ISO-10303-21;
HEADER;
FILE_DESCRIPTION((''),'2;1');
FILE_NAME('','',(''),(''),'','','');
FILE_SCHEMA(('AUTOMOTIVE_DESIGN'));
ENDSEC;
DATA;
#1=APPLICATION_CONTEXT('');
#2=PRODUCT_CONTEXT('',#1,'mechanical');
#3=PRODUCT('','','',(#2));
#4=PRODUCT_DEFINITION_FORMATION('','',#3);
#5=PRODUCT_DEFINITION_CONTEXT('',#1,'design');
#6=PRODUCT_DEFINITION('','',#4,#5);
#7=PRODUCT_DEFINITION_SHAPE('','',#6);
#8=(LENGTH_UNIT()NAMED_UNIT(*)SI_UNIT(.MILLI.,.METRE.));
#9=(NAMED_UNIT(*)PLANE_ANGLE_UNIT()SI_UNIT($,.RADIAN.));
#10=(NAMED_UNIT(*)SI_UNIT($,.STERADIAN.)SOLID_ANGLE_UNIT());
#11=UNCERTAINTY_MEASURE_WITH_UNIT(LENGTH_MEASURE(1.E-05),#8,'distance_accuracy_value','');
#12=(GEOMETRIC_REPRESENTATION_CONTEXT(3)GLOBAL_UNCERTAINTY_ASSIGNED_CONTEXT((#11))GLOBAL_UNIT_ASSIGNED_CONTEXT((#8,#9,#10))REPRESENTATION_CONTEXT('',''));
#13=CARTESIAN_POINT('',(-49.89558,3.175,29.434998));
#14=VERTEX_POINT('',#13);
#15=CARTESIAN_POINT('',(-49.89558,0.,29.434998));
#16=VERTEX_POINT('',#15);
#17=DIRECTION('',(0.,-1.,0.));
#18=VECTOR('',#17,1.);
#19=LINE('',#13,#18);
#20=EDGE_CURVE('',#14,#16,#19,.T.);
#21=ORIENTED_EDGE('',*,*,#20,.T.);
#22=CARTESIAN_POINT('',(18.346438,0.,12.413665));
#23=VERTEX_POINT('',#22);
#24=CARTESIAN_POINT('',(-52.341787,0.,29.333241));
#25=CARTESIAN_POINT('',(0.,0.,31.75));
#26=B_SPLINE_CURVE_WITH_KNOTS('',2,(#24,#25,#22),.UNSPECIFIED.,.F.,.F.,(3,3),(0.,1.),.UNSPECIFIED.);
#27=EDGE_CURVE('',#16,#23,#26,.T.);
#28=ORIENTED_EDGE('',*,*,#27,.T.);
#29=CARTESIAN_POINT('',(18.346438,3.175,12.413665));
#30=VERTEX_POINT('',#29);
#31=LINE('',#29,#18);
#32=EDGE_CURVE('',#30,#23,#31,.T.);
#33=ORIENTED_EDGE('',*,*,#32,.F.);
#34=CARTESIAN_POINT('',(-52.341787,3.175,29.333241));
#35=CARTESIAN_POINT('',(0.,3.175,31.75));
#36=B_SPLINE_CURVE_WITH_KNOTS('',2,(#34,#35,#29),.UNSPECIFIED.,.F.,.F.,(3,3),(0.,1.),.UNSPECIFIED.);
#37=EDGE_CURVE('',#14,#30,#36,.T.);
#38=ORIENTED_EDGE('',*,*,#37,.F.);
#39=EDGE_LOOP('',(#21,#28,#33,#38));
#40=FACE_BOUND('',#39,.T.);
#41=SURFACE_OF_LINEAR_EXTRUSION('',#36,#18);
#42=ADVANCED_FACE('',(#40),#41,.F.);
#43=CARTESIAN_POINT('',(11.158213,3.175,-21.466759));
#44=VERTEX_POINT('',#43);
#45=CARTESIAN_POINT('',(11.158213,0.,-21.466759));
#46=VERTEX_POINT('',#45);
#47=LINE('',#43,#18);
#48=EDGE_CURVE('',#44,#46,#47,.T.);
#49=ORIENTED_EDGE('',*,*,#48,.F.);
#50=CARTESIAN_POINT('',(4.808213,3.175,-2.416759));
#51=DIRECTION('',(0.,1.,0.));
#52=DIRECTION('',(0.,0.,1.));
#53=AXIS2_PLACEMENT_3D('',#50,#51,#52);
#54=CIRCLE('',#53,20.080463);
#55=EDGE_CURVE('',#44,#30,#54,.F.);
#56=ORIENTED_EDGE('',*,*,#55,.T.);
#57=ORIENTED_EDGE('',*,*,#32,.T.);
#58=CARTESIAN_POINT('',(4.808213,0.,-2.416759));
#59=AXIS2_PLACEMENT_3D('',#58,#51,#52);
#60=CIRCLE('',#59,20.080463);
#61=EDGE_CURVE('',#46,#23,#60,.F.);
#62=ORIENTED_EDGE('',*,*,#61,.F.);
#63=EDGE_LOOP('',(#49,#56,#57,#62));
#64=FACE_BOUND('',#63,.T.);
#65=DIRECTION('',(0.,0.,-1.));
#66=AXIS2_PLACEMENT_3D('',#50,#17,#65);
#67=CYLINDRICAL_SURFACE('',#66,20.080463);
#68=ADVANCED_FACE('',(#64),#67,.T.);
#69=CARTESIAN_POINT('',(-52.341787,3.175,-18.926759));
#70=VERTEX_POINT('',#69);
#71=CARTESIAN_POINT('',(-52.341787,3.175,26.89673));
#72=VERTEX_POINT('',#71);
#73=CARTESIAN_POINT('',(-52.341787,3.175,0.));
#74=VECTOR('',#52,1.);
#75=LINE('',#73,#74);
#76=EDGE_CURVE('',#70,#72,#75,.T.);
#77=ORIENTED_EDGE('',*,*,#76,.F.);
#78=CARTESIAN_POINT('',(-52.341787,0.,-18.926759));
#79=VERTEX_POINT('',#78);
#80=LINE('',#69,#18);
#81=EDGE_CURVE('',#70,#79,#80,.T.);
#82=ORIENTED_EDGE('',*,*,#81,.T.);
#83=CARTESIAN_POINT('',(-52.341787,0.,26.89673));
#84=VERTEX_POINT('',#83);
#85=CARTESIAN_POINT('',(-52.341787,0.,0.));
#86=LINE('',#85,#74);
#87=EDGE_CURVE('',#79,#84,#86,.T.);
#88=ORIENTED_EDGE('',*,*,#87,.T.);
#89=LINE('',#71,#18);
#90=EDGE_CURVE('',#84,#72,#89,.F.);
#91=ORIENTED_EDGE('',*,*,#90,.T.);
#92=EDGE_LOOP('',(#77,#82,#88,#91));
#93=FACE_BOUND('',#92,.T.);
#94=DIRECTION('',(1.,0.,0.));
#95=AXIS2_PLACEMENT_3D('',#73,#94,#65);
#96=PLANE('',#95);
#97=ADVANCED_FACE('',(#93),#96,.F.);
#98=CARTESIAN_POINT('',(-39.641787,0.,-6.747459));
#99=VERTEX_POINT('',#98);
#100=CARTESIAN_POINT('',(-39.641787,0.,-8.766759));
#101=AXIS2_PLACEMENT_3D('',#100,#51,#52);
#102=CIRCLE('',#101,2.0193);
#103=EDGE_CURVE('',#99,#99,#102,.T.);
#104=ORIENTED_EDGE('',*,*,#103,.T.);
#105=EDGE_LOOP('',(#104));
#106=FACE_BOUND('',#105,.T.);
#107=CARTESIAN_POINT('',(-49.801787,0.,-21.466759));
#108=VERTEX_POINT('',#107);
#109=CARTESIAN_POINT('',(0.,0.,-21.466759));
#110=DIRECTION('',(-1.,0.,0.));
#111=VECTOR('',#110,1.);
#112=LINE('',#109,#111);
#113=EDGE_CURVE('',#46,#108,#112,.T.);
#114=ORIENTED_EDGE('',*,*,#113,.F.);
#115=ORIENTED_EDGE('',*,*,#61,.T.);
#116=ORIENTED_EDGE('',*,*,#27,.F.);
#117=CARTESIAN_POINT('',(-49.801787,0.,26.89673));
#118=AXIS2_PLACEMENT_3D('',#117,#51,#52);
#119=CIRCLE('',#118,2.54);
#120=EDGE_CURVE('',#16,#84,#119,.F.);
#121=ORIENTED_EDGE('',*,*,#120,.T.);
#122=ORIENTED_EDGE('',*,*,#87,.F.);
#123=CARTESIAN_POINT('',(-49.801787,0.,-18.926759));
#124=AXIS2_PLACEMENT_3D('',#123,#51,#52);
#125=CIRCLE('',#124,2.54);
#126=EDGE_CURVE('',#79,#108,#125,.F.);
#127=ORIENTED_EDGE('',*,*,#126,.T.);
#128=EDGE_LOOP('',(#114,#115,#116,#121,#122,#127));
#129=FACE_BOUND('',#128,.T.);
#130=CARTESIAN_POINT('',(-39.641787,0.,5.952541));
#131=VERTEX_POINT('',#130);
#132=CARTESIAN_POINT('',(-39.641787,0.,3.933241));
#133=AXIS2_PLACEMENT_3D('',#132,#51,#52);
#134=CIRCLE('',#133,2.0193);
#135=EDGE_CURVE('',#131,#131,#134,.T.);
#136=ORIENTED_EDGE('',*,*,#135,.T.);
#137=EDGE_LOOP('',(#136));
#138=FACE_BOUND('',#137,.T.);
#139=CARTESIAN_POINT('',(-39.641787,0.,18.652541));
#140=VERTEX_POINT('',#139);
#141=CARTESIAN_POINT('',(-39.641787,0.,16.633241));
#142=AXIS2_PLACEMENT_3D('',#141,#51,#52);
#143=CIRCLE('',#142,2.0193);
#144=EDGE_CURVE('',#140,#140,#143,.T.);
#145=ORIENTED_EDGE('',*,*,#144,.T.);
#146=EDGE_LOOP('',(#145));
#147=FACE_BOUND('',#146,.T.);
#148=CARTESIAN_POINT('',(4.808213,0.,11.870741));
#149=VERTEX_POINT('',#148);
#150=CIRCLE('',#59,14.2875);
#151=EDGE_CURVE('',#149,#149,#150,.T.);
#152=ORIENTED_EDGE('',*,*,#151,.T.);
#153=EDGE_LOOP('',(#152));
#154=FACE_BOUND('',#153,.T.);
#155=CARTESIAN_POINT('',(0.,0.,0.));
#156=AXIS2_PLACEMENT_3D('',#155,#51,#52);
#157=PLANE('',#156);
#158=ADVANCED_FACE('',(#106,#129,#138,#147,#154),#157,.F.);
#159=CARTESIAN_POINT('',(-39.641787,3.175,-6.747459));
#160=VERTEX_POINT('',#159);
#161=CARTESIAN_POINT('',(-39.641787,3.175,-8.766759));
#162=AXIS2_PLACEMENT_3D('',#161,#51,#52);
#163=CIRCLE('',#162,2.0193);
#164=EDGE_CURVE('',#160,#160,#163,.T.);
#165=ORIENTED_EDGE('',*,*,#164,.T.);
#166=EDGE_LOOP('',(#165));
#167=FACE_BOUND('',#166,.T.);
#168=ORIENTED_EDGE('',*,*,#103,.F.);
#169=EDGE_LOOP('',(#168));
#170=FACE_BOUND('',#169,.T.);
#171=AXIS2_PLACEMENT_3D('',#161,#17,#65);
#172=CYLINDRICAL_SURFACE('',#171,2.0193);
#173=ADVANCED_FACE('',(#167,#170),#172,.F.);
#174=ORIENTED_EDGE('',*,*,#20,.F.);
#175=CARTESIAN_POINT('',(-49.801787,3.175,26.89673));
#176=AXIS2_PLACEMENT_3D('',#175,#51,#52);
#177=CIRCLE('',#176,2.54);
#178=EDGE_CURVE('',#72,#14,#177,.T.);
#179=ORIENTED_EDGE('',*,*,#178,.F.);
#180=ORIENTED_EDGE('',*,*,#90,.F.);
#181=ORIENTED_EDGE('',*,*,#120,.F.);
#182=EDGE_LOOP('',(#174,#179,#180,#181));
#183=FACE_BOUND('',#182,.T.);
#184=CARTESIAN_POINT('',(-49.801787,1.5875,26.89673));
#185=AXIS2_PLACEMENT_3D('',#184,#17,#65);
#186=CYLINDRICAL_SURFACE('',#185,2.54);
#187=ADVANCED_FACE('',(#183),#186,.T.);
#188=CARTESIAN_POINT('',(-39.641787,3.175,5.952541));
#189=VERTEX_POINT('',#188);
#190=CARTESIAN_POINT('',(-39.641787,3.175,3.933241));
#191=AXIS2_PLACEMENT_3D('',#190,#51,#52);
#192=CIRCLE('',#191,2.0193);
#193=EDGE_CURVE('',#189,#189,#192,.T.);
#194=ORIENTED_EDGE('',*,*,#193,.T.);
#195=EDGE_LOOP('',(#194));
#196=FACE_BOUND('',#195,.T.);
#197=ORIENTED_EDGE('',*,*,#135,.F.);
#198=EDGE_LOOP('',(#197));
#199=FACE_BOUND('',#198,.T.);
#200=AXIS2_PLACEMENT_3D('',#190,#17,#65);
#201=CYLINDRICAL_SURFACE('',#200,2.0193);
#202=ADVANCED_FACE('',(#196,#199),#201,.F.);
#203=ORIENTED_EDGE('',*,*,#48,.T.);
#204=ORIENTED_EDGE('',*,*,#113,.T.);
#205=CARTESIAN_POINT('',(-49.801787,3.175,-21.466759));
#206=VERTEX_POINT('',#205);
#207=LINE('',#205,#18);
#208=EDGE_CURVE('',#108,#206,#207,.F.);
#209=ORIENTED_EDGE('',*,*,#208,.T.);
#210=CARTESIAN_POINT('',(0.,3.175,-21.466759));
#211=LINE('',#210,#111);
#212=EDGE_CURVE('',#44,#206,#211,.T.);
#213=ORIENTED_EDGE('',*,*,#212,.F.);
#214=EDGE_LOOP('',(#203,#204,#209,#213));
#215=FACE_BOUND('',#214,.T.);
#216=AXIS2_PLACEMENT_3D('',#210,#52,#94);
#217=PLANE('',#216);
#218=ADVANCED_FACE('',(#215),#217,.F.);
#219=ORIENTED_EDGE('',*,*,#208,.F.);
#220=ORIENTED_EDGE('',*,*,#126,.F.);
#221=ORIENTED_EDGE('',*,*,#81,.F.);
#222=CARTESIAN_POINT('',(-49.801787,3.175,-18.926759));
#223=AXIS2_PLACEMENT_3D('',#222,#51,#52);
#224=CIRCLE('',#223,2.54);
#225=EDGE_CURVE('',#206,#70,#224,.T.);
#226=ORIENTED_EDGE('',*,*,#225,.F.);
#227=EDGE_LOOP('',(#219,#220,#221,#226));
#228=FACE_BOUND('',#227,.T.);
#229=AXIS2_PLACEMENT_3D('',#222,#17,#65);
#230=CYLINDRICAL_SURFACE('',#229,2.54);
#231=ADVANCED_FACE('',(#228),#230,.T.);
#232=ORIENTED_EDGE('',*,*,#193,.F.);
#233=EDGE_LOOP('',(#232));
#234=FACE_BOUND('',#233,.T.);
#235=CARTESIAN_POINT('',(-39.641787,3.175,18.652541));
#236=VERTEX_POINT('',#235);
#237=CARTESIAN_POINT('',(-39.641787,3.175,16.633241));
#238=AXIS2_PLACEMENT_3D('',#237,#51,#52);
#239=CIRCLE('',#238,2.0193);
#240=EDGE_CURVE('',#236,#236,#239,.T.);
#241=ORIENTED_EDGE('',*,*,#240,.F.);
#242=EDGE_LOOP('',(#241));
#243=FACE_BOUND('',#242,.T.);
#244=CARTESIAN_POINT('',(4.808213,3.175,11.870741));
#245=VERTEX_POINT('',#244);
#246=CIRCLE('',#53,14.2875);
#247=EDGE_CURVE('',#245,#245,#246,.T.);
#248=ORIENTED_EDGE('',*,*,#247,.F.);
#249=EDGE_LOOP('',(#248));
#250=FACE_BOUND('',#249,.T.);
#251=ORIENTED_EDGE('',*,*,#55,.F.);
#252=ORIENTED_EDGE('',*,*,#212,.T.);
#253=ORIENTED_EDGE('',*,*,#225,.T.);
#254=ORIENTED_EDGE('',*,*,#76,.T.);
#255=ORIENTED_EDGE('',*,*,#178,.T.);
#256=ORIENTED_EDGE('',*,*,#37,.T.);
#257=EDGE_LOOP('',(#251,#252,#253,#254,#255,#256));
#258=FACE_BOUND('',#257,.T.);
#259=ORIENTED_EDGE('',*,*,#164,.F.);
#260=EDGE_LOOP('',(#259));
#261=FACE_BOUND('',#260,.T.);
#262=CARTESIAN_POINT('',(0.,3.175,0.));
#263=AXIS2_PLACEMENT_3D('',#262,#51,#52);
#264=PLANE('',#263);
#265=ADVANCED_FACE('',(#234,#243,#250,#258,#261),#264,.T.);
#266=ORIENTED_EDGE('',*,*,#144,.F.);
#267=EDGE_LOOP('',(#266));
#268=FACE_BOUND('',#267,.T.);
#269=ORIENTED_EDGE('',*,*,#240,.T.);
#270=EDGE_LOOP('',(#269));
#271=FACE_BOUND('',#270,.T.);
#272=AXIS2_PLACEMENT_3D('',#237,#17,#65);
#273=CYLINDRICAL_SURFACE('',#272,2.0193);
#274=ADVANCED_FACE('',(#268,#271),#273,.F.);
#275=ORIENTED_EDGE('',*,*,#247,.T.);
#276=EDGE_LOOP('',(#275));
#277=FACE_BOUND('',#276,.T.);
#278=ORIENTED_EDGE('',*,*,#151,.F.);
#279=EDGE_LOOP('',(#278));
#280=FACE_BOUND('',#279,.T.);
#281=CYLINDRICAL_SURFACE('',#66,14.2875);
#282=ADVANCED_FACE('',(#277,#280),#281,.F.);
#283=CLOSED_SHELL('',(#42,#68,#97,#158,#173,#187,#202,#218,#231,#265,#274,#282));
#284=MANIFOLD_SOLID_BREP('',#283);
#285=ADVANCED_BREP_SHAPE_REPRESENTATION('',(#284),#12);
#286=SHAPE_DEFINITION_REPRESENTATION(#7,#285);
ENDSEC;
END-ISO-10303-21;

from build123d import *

# Parameters (mm, degrees)
SKETCH1_R           = 2.0193
SKETCH1_R_2         = 14.2875
BOSS_EXTRUDE1_DEPTH = 3.175
FILLET1_R           = 2.54


with BuildPart() as part:
    # Sketch1 → Boss-Extrude1 (new body)
    with BuildSketch(Plane(origin=(0, 0, 0), x_dir=(1, 0, 0), z_dir=(0, 1, 0))):
        with BuildLine():
            Line((11.158213086, 21.466758583), (-52.341786914, 21.466758583))
            Line((-52.341786914, 21.466758583), (-52.341786914, -29.333241417))
            add(Edge.make_bspline(
                [(-52.341786914, -29.333241417), (0, -31.75), (18.346437912, -12.413665165)],
                knots=[0, 0, 0, 1, 1, 1], degree=2))
            ThreePointArc((18.346437912, -12.413665165), (24.451434564, 6.58435381), (11.158213086, 21.466758583))
        make_face()
        with Locations((-39.641786914, -16.633241417)):
            Circle(SKETCH1_R, mode=Mode.SUBTRACT)
        with Locations((-39.641786914, -3.933241417)):
            Circle(SKETCH1_R, mode=Mode.SUBTRACT)
        with Locations((-39.641786914, 8.766758583)):
            Circle(SKETCH1_R, mode=Mode.SUBTRACT)
        with Locations((4.808213086, 2.416758583)):
            Circle(SKETCH1_R_2, mode=Mode.SUBTRACT)
    extrude(amount=BOSS_EXTRUDE1_DEPTH)

    # Fillet1
    fillet1_edges = [part.edges().sort_by_distance(p)[0] for p in [
        (-52.341786914, 1.5875, -21.466758583),
        (-52.341786914, 1.5875, 29.333241417),
    ]]
    fillet(fillet1_edges, radius=FILLET1_R)


solid = part.part
